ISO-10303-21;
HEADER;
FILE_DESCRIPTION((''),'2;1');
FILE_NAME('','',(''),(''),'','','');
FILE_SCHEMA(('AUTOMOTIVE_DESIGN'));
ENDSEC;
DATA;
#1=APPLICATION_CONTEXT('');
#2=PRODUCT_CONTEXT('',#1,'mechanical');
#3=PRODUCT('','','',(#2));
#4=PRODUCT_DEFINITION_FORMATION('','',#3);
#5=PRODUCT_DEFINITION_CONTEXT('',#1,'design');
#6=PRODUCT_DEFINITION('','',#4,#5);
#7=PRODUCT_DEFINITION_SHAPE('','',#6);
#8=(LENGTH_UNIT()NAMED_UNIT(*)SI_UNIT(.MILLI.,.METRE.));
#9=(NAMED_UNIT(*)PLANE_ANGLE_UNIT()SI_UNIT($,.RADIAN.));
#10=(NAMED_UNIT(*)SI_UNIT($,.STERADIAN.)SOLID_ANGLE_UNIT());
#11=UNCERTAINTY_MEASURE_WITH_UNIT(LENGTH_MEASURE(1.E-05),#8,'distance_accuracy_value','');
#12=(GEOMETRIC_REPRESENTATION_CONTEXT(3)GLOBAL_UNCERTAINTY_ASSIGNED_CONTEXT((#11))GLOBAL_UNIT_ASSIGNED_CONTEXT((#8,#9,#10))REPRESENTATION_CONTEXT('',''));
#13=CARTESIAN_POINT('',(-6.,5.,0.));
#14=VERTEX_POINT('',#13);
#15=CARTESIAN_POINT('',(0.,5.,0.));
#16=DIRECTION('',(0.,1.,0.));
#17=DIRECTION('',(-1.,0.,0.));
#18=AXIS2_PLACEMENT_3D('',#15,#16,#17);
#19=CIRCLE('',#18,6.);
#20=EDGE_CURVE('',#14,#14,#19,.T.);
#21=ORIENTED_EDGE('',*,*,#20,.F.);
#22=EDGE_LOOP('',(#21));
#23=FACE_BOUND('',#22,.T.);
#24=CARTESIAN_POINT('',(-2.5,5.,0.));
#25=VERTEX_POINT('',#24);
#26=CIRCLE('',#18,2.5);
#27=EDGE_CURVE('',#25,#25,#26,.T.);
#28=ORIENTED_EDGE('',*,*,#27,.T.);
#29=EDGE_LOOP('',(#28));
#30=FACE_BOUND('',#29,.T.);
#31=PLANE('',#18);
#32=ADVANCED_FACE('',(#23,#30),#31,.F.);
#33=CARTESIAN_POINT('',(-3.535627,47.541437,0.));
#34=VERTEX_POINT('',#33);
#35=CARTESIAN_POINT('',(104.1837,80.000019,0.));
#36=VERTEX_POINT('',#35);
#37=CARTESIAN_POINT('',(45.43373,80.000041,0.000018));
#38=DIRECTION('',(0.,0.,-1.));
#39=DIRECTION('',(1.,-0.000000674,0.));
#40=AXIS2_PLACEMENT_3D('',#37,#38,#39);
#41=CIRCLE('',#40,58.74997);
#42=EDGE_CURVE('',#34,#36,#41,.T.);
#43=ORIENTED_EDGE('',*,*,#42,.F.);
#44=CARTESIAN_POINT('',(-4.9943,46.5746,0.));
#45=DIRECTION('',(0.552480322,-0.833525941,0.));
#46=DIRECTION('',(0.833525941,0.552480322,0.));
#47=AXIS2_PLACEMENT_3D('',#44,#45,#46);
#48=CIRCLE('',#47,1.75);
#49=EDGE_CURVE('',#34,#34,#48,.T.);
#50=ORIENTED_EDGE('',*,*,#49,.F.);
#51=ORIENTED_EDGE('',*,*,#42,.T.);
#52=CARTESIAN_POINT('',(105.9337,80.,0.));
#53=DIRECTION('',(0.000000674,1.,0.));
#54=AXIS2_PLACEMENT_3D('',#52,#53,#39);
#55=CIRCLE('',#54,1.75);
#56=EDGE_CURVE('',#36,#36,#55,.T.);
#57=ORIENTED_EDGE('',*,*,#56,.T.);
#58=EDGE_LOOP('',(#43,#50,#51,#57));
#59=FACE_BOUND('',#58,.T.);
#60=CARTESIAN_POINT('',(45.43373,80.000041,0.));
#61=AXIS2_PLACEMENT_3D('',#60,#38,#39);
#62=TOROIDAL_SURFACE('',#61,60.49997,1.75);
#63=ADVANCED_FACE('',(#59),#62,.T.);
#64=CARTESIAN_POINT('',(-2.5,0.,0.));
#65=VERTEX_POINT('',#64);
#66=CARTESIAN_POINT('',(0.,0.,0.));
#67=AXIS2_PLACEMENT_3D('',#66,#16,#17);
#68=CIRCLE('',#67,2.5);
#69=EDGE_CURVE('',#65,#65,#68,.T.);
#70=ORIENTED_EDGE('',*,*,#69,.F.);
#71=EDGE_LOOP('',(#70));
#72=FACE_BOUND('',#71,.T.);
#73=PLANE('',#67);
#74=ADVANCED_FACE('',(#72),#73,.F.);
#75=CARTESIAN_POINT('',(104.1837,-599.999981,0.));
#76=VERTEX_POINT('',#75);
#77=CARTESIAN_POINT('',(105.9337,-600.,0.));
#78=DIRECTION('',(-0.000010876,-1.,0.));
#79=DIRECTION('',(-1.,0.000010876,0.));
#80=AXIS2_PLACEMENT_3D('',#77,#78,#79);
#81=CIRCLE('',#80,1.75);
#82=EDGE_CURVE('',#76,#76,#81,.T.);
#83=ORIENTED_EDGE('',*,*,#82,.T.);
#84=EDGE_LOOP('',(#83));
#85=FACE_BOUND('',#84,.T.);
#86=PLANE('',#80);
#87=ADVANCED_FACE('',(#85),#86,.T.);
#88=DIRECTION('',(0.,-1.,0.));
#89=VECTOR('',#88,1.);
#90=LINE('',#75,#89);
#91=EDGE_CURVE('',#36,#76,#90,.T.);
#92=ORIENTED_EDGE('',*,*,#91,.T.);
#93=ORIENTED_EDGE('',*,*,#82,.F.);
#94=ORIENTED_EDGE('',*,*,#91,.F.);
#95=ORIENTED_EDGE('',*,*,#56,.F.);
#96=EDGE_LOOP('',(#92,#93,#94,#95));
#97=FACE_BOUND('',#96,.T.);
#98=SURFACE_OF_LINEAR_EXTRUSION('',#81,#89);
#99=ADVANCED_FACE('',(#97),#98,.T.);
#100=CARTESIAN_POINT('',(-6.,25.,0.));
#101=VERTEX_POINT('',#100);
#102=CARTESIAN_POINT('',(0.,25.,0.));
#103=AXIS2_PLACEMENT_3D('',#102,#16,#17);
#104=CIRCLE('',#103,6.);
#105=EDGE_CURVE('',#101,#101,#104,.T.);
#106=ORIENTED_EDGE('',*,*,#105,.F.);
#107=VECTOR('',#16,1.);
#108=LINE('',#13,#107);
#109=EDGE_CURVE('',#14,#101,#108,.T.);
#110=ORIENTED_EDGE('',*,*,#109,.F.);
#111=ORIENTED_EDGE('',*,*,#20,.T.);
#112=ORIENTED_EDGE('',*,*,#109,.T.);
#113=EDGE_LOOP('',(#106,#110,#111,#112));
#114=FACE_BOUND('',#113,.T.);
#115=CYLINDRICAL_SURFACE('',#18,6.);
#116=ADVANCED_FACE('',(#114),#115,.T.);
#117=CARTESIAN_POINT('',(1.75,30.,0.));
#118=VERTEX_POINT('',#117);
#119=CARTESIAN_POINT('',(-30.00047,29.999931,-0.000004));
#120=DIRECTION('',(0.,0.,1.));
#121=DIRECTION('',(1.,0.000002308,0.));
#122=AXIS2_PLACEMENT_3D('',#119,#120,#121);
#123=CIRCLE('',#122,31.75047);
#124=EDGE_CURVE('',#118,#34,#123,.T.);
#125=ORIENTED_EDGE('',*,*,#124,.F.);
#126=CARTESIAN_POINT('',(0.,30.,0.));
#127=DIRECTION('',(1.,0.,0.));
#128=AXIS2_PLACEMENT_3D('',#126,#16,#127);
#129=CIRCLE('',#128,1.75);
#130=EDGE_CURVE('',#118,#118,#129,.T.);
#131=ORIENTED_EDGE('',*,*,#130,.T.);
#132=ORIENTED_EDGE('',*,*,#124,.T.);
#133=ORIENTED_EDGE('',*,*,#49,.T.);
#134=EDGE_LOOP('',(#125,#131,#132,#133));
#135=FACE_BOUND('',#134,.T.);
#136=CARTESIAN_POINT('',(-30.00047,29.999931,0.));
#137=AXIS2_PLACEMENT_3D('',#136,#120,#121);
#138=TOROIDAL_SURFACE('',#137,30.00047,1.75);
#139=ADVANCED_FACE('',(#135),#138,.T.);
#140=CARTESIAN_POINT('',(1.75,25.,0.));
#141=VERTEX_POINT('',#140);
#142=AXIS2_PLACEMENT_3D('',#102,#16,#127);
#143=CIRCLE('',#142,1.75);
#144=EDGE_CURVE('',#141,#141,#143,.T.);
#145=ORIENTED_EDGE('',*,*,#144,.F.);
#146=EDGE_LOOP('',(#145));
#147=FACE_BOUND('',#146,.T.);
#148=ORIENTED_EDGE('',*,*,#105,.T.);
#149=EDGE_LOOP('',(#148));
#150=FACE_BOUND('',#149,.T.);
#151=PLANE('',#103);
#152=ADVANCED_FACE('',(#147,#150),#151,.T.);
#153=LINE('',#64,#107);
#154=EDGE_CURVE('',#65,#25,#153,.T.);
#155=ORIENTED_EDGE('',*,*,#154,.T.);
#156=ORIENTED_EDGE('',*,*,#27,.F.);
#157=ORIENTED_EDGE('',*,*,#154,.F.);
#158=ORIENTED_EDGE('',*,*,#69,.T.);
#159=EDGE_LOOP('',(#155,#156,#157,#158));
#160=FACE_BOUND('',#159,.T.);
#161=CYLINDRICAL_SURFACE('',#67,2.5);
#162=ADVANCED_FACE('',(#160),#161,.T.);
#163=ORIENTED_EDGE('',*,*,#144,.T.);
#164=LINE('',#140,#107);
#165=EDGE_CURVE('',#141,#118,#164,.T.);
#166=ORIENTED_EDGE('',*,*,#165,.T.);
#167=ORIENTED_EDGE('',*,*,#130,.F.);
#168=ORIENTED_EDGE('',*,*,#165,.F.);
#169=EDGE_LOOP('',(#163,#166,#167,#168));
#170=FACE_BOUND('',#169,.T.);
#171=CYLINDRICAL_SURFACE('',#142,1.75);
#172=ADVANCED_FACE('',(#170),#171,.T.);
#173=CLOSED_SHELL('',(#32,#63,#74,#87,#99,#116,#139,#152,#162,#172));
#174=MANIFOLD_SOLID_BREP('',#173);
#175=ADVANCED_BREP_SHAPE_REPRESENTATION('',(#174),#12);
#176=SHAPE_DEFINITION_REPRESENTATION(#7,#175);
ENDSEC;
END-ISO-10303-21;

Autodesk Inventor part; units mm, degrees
ref_plane "YZ Plane" through (0, 0, 0) normal (1, 0, 0) x (0, 1, 0)
ref_plane "XZ Plane" through (0, 0, 0) normal (0, 1, 0) x (-1, 0, 0)
ref_plane "XY Plane" through (0, 0, 0) normal (0, 0, 1) x (1, 0, 0)
sketch "Sketch1" plane through (0, 0, 0) normal (0, 0, 1) x (1, 0, 0)
  line L0 (-7.2, 0) -> (1.2, 0) construction
  line L1 (0, -5) -> (0, 30) construction
  line L2 (0, 0) -> (-2.5, 0)
  line L3 (-2.5, 0) -> (-2.5, 5)
  line L4 (-2.5, 5) -> (-6, 5)
  line L5 (-6, 5) -> (-6, 25)
  line L6 (-6, 25) -> (0, 25)
  line L7 (0, 25) -> (0, 0)
  dimension "d0" = 5
  dimension "d1" = 12
  dimension "d2" = 5
  dimension "d3" = 25
revolve "Revolution1" add sketch "Sketch1" angle 360 about axis through (0, -10, 0) along (0, 1, 0)
sketch "Sketch2" plane through (0, 0, 0) normal (0, 0, 1) x (1, 0, 0)
  line L0 (0, -5) -> (0, 30) construction
  line L1 (6, 25) -> (-6, 25) construction
  line L2 (0, 25) -> (0, 30)
  line L3 (105.9337, -600) -> (105.9337, 80)
  arc A0 (105.9337, 80) -> (-4.9943, 46.5746) centre (45.4337, 80) ccw
  arc A1 (0, 30) -> (-4.9943, 46.5746) centre (-30, 30) ccw
  line L4 (-74.1691, 0) -> (235.0145, 0) projected
  point P0 (0, 0)
  point P1 (0, 40.0497)
  dimension "d5" = 30
  dimension "d9" = 5
  dimension "d10" = 60.5
  dimension "d11" = 80
  dimension "d12" = 600
sketch "Sketch3" plane through (0, 25, 0) normal (0, 1, 0) x (1, 0, 0)
  circle A0 centre (0, 0) radius 1.75
  dimension "d6" = 3.5
sweep "Sweep1" add profiles "Sketch3" path "Sketch2" path curves L2 A1 A0 L3
properties part number "F118Laser"
